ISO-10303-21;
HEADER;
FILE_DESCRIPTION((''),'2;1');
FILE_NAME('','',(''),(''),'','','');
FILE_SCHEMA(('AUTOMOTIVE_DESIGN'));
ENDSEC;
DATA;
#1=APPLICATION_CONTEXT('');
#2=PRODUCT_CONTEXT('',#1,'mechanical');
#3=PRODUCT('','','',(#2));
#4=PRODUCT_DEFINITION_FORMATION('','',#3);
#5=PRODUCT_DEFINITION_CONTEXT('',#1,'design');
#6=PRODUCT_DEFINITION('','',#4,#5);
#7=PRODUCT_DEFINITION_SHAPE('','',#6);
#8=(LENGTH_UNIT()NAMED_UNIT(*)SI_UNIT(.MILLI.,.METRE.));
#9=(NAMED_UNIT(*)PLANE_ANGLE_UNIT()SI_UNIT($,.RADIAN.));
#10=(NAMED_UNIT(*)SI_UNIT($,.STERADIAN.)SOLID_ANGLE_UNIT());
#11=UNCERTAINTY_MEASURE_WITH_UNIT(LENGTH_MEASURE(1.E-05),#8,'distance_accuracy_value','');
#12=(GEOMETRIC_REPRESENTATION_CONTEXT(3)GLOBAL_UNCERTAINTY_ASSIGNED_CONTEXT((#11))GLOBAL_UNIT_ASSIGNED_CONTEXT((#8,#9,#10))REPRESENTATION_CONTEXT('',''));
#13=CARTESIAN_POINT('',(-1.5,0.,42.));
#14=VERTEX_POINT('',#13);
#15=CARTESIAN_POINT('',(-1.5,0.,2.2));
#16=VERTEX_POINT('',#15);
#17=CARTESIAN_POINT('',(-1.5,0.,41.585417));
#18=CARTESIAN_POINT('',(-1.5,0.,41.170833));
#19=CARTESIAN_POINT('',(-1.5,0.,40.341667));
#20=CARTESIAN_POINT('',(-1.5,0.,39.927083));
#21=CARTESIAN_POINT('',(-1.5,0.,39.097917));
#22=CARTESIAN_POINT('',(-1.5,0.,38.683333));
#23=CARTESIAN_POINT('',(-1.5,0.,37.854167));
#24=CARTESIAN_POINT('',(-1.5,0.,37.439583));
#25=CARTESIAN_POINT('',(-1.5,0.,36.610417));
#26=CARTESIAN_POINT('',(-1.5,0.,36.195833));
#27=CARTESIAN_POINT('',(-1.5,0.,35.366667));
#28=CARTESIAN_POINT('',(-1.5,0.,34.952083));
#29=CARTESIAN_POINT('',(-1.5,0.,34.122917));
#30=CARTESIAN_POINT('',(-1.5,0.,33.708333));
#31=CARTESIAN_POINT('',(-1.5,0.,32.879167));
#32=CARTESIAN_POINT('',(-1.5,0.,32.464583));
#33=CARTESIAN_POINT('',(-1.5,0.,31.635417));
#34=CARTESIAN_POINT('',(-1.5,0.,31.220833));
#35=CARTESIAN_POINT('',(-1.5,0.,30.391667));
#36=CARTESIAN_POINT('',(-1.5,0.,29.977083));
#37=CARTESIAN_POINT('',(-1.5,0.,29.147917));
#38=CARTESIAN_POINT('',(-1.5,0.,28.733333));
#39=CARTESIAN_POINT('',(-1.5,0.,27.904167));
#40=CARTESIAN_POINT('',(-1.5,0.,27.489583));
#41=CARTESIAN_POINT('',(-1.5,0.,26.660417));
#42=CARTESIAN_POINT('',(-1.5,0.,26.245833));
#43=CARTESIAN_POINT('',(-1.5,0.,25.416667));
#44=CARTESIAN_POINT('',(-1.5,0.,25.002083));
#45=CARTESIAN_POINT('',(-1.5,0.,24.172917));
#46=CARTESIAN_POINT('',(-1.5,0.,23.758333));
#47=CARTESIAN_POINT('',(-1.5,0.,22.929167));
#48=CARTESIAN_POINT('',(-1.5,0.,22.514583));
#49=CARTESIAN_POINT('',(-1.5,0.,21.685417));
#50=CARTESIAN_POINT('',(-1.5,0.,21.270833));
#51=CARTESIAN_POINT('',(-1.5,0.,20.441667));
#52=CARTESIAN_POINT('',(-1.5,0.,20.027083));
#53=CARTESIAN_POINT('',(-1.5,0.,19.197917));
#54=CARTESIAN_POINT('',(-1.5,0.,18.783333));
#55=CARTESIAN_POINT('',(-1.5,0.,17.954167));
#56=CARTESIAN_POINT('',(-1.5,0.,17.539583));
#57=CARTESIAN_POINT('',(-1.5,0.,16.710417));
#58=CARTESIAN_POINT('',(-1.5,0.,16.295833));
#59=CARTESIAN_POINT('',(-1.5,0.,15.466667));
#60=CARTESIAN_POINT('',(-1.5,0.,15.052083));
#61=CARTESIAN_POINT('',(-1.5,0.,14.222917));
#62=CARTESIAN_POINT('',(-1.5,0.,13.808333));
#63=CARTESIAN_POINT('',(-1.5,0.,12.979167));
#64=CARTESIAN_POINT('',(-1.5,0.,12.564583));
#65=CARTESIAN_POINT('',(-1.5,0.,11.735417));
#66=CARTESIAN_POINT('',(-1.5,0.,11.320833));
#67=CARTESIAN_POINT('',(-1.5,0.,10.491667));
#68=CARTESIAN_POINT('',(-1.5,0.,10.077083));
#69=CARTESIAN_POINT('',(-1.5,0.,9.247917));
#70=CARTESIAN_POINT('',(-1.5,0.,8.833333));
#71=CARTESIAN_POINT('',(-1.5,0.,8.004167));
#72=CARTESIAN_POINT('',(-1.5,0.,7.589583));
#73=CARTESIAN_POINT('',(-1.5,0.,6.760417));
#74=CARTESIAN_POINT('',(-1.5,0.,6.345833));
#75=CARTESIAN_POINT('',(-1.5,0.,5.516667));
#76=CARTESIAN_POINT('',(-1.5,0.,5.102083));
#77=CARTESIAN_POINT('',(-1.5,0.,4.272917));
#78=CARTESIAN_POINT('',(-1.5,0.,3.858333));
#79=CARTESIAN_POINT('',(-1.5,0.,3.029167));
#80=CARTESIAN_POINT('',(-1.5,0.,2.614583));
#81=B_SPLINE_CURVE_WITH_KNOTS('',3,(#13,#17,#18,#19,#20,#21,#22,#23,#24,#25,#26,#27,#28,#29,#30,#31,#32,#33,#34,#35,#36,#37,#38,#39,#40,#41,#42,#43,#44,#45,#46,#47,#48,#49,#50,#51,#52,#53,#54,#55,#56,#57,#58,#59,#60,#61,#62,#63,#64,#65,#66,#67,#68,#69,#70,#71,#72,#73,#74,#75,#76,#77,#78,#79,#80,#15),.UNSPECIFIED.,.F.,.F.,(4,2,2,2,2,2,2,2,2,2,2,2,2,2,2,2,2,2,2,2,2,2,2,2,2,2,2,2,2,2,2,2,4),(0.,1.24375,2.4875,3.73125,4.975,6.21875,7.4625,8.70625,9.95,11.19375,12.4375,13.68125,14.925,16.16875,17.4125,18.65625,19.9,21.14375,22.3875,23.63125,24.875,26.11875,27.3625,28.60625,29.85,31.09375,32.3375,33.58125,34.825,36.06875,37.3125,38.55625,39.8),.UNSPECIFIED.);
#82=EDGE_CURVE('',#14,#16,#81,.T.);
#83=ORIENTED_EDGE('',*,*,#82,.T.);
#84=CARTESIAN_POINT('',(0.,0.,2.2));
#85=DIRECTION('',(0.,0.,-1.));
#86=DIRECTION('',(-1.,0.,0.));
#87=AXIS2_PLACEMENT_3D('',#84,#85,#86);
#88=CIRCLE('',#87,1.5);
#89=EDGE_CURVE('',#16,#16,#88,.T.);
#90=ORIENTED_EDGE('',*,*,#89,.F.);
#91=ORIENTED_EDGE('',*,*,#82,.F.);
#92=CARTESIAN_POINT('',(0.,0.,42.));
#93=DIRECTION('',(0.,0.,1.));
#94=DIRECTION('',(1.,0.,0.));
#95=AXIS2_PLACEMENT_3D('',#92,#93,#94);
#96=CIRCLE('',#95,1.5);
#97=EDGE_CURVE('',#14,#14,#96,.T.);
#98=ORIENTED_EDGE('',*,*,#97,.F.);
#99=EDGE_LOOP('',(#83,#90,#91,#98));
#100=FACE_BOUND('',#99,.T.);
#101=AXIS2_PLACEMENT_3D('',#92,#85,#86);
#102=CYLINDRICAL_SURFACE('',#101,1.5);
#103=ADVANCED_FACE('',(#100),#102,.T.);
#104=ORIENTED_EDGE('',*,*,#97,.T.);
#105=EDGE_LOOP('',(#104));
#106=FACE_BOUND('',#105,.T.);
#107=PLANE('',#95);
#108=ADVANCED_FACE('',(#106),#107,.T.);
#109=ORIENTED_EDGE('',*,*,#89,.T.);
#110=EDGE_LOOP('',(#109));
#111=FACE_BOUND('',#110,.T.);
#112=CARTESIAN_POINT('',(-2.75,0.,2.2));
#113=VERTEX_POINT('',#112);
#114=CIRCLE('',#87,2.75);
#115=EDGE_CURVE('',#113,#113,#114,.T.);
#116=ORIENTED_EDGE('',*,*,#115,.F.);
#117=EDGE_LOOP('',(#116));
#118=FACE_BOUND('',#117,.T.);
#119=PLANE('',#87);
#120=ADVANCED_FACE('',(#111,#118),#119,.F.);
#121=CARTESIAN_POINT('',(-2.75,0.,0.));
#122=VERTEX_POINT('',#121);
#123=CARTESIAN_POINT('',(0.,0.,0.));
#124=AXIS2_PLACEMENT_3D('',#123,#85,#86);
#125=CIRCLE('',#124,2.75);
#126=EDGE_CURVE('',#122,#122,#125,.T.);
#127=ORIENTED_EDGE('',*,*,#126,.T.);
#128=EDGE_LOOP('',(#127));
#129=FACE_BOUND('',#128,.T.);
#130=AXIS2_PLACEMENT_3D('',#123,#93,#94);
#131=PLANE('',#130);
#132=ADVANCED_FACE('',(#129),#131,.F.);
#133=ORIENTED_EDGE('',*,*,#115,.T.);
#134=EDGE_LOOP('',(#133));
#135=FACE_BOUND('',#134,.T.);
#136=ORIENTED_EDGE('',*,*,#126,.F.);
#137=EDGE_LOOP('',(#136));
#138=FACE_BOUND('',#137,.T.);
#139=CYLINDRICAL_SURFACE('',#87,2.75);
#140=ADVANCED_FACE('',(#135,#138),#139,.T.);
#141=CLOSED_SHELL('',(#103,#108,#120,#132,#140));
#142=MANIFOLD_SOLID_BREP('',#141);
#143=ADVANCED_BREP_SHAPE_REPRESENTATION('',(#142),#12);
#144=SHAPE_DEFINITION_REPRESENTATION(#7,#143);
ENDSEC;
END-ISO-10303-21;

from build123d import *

# Parameters (mm, degrees)
SKETCH1_R           = 1.5
BOSS_EXTRUDE1_DEPTH = 42
SKETCH2_R           = 2.75
BOSS_EXTRUDE2_DEPTH = 2.2


with BuildPart() as part:
    # Sketch1 → Boss-Extrude1 (new body)
    with BuildSketch(Plane.XY):
        with Locations(Location((0, 0, 0), (0, 0, 180))):
            Circle(SKETCH1_R)
    extrude(amount=BOSS_EXTRUDE1_DEPTH)

    # Sketch2 → Boss-Extrude2 (add)
    with BuildSketch(Plane(origin=(0, 0, 0), x_dir=(-1, 0, 0), z_dir=(0, 0, -1))):
        Circle(SKETCH2_R)
    extrude(amount=-BOSS_EXTRUDE2_DEPTH)


solid = part.part
